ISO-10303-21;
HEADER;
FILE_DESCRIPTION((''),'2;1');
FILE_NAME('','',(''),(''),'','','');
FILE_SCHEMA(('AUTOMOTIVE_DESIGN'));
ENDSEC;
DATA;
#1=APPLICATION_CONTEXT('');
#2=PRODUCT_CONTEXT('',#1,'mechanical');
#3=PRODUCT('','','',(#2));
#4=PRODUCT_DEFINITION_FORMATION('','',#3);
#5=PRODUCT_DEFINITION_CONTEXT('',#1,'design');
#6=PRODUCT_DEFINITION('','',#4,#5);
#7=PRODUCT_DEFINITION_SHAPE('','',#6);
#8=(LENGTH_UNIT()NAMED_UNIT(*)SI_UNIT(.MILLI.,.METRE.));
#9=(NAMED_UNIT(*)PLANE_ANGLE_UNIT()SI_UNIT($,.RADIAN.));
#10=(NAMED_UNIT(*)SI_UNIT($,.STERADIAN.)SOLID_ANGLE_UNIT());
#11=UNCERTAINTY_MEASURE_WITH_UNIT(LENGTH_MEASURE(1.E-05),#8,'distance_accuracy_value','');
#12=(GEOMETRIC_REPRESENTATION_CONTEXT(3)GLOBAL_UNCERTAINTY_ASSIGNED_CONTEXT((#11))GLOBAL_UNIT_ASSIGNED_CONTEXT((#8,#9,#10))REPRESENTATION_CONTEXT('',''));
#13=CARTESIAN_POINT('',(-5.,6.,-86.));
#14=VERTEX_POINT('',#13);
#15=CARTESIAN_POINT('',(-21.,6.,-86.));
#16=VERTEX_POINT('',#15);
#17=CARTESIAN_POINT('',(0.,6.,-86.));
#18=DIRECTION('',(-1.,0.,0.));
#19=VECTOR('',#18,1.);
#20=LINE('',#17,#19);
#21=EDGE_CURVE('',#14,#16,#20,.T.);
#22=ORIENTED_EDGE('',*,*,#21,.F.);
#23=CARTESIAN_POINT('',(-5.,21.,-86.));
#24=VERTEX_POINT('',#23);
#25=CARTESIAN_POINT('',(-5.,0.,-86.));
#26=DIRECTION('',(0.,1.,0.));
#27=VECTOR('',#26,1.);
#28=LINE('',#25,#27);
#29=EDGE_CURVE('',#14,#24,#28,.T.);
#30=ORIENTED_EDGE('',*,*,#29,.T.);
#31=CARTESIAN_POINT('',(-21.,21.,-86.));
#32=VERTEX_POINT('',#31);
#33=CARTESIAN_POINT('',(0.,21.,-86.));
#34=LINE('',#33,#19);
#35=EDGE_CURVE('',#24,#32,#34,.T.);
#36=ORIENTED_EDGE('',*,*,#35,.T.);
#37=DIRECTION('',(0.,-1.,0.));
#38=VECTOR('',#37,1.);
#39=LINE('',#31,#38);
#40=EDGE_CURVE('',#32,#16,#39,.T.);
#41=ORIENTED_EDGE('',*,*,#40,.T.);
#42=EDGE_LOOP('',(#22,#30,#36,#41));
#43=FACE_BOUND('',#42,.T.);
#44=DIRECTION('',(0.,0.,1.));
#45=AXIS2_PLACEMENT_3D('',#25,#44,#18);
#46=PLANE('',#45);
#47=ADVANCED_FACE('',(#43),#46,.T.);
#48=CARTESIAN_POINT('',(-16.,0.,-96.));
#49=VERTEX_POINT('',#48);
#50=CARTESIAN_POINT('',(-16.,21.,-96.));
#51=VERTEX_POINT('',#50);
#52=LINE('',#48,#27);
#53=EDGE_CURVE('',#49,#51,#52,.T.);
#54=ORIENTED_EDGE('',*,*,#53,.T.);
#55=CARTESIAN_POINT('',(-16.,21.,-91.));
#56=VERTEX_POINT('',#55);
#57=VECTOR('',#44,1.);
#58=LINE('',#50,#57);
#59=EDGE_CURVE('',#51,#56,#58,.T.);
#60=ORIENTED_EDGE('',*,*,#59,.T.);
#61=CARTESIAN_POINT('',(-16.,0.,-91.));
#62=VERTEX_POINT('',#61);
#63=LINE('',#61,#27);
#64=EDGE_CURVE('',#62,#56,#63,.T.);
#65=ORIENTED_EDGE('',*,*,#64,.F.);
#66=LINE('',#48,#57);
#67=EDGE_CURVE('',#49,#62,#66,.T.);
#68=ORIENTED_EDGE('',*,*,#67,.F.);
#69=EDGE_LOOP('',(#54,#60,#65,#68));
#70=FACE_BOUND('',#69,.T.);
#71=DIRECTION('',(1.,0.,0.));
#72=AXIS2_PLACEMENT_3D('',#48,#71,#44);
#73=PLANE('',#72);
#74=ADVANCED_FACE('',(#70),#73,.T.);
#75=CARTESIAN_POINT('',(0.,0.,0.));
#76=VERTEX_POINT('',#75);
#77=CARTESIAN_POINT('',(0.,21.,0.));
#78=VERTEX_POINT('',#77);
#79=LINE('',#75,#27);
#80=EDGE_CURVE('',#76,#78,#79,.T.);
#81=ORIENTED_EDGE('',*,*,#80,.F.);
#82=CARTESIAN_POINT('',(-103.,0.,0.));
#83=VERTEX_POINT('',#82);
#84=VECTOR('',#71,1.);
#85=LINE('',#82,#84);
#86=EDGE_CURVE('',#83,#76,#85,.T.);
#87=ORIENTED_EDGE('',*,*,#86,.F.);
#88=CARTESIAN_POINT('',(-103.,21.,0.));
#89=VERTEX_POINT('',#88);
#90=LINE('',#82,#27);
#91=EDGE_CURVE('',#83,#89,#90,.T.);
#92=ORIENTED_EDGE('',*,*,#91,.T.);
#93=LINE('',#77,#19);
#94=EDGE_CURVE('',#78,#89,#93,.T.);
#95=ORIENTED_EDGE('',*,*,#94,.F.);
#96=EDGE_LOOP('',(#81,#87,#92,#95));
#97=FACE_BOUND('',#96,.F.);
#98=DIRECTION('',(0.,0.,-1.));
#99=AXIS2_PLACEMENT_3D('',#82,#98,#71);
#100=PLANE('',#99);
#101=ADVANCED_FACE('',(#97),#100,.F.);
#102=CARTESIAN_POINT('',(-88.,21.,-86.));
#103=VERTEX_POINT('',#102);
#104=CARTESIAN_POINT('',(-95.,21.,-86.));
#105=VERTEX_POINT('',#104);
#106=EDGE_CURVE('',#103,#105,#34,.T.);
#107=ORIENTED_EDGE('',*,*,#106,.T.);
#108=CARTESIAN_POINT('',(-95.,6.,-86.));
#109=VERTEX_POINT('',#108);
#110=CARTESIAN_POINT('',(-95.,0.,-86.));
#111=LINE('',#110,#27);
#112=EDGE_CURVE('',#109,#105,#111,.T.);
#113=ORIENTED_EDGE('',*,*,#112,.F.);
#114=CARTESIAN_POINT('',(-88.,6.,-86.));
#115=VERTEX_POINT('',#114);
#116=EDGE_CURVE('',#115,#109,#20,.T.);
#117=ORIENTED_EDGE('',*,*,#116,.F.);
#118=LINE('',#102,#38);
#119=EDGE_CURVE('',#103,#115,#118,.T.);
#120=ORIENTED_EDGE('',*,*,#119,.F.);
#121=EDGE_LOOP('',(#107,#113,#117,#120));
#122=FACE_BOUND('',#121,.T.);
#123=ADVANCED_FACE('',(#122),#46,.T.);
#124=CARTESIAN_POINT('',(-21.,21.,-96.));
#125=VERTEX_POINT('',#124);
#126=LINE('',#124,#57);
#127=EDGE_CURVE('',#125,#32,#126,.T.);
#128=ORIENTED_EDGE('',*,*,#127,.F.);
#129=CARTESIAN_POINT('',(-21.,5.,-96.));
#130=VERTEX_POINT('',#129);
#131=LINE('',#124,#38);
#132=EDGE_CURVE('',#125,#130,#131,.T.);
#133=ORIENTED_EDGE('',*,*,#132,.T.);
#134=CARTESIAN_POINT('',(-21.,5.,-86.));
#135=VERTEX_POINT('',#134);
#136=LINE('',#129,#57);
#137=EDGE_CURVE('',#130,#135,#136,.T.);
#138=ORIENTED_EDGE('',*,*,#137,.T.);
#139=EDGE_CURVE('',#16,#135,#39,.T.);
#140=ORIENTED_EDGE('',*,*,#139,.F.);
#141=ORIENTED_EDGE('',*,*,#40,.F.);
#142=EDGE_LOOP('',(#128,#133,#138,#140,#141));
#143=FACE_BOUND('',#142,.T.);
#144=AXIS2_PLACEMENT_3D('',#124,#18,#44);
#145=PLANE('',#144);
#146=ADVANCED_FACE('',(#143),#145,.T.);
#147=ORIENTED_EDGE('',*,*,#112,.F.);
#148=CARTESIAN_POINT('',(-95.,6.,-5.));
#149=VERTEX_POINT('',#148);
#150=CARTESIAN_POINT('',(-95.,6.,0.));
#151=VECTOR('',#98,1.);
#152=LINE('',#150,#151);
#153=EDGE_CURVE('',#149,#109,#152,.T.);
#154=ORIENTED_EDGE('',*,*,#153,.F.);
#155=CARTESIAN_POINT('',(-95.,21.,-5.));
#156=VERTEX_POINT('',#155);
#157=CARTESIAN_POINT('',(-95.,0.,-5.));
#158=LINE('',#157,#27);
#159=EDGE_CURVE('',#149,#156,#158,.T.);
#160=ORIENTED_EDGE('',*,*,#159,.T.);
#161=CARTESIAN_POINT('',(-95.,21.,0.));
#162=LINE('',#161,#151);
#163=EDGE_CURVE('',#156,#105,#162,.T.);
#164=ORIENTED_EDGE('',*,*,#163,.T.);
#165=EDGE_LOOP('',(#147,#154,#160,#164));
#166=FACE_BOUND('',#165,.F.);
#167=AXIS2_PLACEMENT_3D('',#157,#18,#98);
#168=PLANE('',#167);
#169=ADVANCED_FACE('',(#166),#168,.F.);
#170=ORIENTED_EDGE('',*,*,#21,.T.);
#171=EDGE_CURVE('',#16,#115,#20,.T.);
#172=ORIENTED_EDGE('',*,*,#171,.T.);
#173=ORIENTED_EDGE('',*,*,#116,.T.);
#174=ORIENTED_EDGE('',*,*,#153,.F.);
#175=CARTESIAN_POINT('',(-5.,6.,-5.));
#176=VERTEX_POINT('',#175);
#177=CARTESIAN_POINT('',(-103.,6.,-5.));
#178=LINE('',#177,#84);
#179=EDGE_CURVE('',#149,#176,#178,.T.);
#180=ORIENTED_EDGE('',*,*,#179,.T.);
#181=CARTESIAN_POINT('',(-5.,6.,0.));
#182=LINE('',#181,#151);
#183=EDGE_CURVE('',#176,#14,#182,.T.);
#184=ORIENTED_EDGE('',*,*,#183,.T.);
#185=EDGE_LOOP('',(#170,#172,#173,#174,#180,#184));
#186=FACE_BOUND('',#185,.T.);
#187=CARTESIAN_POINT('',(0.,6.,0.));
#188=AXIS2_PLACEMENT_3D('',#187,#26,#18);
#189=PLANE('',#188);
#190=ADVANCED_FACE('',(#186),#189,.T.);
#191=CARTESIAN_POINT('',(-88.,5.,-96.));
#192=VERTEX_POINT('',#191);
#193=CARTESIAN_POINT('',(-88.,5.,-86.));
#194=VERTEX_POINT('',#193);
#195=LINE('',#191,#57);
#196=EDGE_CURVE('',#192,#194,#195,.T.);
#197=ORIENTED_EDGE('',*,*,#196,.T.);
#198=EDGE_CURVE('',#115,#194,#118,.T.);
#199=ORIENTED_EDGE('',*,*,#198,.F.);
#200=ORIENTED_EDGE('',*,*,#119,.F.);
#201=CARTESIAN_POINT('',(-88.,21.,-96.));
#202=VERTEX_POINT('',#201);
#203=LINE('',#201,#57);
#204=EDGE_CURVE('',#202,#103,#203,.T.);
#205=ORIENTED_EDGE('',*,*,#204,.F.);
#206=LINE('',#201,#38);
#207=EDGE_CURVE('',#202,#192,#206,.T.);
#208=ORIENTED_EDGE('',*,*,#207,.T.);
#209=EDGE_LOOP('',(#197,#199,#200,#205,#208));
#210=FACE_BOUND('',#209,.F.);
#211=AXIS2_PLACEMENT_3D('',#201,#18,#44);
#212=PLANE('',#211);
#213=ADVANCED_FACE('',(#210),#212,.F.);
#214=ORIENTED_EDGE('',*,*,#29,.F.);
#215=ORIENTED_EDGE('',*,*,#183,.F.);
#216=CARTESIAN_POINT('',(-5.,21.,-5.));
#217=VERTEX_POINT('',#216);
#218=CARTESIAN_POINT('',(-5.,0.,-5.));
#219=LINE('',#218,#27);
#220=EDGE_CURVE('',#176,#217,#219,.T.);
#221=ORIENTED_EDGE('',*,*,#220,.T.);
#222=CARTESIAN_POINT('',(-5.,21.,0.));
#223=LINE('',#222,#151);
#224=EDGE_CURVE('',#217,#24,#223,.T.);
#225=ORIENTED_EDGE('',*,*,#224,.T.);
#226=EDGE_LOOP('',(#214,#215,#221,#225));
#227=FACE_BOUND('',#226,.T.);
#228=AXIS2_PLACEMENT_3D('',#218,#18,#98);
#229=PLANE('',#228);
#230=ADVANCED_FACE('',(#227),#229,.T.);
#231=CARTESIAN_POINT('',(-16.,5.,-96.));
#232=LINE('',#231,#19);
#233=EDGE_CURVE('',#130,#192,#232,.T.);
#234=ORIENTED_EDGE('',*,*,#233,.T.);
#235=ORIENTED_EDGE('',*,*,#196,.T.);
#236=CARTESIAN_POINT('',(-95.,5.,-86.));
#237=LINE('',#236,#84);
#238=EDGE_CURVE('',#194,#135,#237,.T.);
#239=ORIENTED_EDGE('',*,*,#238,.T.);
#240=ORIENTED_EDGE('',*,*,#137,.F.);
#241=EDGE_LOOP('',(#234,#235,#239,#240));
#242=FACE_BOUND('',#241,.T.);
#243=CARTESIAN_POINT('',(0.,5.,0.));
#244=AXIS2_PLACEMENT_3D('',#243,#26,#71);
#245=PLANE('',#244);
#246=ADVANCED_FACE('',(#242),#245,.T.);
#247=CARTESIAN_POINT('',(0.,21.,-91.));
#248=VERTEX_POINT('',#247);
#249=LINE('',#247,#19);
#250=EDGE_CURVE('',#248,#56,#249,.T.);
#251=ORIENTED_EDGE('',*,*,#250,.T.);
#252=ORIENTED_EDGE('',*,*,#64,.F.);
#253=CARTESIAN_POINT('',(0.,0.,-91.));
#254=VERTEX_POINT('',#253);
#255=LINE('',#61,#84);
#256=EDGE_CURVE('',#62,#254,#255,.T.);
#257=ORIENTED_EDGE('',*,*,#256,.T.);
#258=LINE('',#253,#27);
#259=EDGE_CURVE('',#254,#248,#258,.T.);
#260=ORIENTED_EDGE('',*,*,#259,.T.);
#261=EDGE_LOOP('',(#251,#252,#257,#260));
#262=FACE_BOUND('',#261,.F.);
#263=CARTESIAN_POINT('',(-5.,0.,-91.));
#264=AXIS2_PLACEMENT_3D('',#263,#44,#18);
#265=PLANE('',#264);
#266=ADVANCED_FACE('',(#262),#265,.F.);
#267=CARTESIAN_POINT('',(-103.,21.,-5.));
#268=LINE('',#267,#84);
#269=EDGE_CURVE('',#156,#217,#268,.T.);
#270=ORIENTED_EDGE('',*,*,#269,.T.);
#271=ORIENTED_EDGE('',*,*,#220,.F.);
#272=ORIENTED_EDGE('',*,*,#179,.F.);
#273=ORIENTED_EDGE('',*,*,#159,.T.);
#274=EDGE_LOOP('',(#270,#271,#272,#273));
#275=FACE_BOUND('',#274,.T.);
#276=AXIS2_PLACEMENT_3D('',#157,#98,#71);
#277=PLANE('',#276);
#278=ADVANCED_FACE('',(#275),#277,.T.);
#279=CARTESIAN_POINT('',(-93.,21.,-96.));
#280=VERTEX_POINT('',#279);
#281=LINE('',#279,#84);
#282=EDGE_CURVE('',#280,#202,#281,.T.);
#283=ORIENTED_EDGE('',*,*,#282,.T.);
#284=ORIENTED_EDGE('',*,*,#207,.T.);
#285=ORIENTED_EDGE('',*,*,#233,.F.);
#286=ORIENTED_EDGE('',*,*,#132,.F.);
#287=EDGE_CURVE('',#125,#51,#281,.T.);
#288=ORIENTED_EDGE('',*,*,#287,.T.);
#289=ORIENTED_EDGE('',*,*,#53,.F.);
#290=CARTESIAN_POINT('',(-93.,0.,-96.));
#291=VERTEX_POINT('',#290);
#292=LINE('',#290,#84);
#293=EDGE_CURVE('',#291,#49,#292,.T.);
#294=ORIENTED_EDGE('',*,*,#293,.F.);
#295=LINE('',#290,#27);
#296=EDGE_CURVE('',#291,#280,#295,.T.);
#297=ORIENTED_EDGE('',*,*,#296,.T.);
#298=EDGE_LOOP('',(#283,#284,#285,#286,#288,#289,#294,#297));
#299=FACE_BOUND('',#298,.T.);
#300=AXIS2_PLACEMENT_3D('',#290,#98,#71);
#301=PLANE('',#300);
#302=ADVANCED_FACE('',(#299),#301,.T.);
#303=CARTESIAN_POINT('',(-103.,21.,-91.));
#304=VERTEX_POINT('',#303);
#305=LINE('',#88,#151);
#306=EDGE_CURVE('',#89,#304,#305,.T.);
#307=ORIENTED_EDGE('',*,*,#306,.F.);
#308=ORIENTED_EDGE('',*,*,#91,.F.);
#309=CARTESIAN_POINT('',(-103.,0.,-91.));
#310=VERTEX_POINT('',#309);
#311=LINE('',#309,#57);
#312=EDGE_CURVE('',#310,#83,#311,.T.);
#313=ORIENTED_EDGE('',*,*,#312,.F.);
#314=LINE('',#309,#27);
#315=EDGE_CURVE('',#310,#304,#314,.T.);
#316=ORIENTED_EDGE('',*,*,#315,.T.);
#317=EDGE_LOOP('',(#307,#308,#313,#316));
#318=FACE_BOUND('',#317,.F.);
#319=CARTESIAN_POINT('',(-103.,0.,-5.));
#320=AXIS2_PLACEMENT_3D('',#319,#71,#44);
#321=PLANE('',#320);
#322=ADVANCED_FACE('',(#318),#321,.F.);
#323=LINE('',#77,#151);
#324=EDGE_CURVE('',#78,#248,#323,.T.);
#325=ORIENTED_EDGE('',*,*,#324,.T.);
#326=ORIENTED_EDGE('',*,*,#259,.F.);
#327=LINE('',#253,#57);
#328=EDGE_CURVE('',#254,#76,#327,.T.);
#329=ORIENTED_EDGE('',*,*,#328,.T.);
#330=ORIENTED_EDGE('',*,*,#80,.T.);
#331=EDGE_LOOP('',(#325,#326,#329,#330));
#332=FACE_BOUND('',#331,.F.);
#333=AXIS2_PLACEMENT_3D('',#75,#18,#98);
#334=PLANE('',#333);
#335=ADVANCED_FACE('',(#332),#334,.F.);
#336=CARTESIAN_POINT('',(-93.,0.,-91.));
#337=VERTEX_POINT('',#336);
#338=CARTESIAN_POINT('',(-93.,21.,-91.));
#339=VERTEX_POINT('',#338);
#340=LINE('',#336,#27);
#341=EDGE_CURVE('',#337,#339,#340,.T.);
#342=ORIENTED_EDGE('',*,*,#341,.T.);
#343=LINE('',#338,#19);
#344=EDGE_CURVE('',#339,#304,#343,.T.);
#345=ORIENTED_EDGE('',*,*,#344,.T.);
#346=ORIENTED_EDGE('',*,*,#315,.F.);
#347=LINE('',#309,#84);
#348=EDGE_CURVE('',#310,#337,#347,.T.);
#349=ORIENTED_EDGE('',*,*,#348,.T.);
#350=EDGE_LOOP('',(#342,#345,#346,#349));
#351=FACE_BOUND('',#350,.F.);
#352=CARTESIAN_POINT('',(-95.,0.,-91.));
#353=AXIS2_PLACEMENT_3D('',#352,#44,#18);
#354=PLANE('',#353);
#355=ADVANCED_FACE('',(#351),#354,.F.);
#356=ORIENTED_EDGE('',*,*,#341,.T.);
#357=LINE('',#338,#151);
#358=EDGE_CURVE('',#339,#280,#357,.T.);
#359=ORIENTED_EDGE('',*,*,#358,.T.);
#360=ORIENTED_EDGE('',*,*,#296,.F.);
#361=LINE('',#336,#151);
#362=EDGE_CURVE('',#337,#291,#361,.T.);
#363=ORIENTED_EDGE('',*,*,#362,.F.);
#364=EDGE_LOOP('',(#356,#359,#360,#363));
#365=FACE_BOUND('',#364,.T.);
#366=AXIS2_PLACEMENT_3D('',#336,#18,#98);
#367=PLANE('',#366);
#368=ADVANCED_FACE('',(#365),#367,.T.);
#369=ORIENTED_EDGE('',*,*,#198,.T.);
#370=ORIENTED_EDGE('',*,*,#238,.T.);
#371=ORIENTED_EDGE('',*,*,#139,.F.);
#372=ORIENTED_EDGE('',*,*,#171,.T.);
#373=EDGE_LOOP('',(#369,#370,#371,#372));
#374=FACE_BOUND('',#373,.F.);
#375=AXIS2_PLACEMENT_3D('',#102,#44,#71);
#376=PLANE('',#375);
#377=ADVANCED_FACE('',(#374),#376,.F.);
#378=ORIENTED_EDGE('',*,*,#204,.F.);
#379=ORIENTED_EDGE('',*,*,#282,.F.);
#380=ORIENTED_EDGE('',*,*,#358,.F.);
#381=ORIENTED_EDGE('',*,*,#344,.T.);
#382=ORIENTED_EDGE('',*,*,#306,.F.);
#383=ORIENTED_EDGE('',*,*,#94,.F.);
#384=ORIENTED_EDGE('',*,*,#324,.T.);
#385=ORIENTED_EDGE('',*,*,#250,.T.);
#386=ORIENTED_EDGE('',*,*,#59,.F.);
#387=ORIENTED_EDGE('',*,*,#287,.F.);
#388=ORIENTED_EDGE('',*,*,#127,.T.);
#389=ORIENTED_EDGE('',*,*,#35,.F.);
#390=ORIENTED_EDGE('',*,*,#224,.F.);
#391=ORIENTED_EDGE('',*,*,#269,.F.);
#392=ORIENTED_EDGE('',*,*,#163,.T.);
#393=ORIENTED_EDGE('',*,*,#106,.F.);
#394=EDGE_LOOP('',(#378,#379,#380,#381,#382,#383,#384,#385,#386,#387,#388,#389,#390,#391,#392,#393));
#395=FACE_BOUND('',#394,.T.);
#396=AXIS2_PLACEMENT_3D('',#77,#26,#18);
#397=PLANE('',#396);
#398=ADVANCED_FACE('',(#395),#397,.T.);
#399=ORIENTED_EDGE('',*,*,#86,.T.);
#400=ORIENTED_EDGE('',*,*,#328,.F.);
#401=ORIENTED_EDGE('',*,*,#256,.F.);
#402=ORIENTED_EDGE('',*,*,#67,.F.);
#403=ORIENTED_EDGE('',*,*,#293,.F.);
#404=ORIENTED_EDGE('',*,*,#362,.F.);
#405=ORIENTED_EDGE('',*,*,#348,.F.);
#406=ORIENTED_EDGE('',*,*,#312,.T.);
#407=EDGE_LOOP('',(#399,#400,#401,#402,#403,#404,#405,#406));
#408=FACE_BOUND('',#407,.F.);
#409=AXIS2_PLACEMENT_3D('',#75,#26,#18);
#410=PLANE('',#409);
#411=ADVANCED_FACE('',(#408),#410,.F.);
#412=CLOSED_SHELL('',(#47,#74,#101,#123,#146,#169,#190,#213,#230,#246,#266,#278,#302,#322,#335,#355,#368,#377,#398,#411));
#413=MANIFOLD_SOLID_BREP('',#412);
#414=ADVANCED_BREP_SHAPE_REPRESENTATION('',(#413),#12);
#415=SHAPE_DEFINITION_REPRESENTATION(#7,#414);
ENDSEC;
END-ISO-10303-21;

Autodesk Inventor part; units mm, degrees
ref_plane "YZ Plane" through (0, 0, 0) normal (1, 0, 0) x (0, 1, 0)
ref_plane "XZ Plane" through (0, 0, 0) normal (0, 1, 0) x (-1, 0, 0)
ref_plane "XY Plane" through (0, 0, 0) normal (0, 0, 1) x (1, 0, 0)
sketch "스케치1" plane through (0, 0, 0) normal (0, 1, 0) x (-1, 0, 0)
  line L0 (103, 0) -> (93, 0)
  line L1 (0, 0) -> (0, -91)
  line L2 (0, -91) -> (103, -91)
  line L3 (103, -91) -> (103, 0)
  line L4 (93, -91) -> (93, -96)
  line L5 (93, -96) -> (16, -96)
  line L6 (16, -96) -> (16, -91)
  line L7 (93, 0) -> (0, 0)
  line L8 (103, -5) -> (0, -5)
  line L9 (5, 0) -> (5, -91)
  line L10 (0, -86) -> (103, -86)
  line L11 (95, 0) -> (95, -91)
  point P0 (93, -93.5)
  point P1 (16, -93.5)
  point P2 (51.5, -86)
  point P3 (95, -5)
  point P4 (95, -86)
  point P5 (5, -86)
  point P6 (5, -5)
  dimension "d0" = 103
  dimension "d1" = 91
  dimension "d2" = 5
  dimension "d3" = 10
  dimension "d4" = 16
  dimension "d5" = 8
  dimension "d6" = 5
  dimension "d7" = 5
  dimension "d8" = 5
extrude "돌출1" add sketch "스케치1" along normal blind 21 contours L3 L8 L11 L0 | L11 L8 L9 L7 L0 | L3 L10 L11 L8 | L3 L2 L11 L10 | L9 L8 L1 L7 | L9 L10 L1 L8 | L11 L2 L9 L10 | L9 L2 L1 L10 | L4 L5 L6 L2
extrude "돌출2" add sketch "스케치1" along normal blind 6 contours L11 L10 L9 L8
sketch "스케치2" plane through (0, 21, 0) normal (0, 1, 0) x (1, 0, 0)
  line L0 (-16, 96) -> (-93, 96) projected
  line L1 (-21, 96) -> (-21, 86)
  line L2 (-95, 86) -> (-5, 86) projected
  line L3 (-88, 96) -> (-88, 76.7304)
  line L4 (-93, 96) -> (-93, 91) projected
  line L5 (-16, 91) -> (-16, 96) projected
  point P0 (0, 0)
  point P1 (-93, 93.5)
  point P2 (-88, 86)
  dimension "d13" = 5
  dimension "d14" = 5
extrude "돌출3" cut sketch "스케치2" against normal blind 16
properties part number "imu"
